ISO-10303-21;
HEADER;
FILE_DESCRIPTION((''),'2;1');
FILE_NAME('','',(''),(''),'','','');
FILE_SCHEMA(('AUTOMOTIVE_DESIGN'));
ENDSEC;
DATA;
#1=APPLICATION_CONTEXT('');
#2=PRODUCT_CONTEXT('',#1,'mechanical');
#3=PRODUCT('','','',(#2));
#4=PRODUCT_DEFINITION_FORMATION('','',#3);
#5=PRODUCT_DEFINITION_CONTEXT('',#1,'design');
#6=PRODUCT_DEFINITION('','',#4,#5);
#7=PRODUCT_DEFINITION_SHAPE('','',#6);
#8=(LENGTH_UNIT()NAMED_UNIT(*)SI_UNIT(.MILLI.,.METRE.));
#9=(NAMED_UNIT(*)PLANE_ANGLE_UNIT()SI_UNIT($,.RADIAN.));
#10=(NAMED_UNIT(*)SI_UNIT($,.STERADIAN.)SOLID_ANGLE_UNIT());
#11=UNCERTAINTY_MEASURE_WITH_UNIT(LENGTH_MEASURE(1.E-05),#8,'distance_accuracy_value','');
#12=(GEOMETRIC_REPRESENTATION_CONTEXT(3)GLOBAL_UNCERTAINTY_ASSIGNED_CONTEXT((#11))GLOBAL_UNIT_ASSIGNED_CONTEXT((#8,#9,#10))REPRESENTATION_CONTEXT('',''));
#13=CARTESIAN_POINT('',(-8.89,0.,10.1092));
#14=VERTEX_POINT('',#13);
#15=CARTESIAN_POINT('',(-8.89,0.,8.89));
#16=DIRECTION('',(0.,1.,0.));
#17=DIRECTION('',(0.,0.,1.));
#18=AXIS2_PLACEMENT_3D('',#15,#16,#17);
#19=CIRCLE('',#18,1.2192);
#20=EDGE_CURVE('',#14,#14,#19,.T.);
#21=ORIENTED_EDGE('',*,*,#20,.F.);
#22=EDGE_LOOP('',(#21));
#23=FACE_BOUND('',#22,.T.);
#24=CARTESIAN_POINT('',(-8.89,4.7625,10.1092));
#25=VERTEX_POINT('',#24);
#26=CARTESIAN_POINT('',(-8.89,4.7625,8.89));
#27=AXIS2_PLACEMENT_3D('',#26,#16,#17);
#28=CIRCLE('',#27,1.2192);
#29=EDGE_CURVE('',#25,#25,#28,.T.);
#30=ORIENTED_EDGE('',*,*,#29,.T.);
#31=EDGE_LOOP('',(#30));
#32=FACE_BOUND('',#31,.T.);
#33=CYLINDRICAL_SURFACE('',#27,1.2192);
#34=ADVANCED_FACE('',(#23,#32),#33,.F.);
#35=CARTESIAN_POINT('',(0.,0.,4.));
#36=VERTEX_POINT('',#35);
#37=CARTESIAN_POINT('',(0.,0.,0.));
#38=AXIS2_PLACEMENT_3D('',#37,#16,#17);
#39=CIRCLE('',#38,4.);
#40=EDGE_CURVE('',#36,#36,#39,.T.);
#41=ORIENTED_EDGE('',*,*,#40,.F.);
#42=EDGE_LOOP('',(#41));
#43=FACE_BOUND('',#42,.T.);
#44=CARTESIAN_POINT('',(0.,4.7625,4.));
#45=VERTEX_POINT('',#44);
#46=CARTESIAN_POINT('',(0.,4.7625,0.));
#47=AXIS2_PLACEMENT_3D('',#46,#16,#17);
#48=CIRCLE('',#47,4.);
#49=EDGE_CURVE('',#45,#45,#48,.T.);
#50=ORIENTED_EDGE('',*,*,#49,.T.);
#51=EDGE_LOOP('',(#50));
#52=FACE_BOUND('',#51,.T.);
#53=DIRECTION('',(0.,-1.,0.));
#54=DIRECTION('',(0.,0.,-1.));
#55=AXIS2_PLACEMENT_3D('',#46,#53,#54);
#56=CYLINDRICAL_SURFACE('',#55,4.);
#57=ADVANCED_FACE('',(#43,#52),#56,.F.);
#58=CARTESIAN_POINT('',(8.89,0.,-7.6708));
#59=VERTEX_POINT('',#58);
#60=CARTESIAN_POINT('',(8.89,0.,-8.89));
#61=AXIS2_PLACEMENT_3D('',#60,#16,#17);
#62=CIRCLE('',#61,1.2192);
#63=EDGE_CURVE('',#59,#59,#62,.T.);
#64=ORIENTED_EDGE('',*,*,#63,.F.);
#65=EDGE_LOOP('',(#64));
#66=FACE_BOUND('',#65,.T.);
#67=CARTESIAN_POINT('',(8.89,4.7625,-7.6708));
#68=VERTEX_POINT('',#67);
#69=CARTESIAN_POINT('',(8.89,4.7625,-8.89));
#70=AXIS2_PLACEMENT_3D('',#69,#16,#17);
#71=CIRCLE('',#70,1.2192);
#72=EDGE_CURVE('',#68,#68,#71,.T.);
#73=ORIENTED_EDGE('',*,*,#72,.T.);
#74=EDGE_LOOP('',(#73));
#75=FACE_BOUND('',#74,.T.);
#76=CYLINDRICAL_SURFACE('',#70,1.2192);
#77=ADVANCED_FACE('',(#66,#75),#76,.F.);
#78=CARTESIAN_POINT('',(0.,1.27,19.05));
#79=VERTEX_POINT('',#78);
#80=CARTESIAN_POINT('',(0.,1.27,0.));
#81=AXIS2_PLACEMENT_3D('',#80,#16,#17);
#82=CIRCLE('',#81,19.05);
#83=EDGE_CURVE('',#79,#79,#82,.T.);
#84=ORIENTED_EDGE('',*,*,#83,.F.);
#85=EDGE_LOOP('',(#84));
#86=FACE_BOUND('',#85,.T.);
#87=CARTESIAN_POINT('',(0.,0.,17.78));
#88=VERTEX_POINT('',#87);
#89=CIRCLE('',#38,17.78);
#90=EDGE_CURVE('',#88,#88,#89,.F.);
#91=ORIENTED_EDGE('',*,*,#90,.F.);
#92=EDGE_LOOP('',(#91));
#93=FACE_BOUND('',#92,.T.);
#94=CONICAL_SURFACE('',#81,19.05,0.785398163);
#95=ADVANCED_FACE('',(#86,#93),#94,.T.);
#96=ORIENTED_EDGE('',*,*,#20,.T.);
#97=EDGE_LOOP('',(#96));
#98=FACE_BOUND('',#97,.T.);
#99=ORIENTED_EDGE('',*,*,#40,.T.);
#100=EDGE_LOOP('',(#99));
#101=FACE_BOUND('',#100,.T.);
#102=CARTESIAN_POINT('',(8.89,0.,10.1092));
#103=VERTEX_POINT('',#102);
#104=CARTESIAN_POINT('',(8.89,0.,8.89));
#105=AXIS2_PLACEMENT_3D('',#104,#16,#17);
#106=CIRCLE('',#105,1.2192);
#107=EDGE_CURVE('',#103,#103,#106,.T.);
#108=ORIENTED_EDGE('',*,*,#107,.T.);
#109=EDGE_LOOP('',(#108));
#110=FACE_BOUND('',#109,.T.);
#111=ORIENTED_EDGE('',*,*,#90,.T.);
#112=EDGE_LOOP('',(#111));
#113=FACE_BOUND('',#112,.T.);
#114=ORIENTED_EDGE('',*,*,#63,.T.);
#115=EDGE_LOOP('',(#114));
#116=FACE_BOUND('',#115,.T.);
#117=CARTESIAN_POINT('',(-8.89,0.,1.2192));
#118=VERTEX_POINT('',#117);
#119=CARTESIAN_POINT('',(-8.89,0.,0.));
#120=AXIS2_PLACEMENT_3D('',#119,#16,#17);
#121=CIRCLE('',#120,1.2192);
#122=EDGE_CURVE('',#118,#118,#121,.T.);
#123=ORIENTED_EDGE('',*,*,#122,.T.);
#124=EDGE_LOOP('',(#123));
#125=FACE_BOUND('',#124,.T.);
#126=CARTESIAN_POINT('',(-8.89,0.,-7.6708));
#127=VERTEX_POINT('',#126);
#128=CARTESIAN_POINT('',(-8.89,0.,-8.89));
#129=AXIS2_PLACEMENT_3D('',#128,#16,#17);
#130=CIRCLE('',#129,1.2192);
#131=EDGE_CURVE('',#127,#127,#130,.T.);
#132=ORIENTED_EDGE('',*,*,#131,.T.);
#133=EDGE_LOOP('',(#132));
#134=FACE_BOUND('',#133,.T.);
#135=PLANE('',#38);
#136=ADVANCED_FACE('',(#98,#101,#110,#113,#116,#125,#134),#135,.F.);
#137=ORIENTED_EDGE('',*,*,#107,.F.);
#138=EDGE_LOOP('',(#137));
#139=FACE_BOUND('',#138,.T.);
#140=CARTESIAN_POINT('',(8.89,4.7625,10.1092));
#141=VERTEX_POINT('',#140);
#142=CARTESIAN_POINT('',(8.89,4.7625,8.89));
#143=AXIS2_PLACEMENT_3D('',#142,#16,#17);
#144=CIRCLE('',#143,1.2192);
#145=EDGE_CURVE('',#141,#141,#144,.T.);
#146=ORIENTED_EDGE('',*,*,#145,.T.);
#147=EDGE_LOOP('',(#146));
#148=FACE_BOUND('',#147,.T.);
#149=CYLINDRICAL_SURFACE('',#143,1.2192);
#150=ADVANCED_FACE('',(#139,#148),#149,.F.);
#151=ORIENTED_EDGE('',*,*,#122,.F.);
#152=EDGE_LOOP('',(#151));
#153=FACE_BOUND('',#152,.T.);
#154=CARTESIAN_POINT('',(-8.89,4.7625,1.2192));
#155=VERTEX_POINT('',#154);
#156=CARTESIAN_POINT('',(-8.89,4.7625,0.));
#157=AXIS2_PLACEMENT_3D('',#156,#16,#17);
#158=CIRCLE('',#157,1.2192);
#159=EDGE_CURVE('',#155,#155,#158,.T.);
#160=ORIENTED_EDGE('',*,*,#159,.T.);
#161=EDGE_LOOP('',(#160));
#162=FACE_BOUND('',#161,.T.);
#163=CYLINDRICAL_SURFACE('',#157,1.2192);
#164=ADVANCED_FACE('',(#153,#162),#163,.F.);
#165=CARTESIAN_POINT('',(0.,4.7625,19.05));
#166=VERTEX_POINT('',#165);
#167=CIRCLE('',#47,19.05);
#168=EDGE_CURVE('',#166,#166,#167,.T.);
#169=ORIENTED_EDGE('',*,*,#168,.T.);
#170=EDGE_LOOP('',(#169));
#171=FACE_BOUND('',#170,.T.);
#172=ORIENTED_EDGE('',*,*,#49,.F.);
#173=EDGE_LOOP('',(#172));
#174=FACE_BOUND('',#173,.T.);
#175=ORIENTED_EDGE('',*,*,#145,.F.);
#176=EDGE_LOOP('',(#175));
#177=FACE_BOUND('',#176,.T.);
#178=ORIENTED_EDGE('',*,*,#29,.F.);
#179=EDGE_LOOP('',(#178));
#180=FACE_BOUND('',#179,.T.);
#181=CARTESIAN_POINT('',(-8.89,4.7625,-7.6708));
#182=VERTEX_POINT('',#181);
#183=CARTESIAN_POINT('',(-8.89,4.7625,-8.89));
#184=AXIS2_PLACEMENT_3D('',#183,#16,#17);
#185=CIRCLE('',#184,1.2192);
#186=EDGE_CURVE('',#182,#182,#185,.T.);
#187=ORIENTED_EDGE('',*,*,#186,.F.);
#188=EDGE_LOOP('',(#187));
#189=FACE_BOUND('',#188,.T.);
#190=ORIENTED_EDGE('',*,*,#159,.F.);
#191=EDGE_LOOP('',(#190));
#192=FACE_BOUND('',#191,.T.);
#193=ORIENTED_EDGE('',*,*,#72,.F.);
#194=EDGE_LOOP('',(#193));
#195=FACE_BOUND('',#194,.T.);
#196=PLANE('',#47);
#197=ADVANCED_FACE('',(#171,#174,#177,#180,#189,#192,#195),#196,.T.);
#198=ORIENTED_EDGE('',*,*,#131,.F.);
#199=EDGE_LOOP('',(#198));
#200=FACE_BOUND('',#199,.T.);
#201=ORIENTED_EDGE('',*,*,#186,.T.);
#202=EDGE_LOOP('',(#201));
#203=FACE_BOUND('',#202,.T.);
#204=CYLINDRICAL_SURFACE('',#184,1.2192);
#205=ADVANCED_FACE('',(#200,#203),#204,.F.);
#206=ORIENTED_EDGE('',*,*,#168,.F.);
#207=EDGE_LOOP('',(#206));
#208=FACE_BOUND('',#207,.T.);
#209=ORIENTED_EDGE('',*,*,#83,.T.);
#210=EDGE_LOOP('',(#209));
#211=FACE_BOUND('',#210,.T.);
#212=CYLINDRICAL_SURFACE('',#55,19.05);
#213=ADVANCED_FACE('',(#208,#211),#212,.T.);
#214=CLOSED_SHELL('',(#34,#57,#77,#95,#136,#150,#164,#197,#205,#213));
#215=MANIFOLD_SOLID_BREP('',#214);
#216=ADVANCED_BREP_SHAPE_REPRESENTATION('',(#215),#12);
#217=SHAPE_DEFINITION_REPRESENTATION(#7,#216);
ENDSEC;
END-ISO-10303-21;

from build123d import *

# Parameters (mm, degrees)
SKETCH1_R                 = 19.05
SKETCH1_R_2               = 4
BOSS_EXTRUDE1_DEPTH       = 4.7625
F_2_CLEARANCE_HOLE1_D     = 2.4384
F_2_CLEARANCE_HOLE1_DEPTH = 4.7625
CHAMFER1_SIZE             = 1.27


with BuildPart() as part:
    # Sketch1 → Boss-Extrude1 (new body)
    with BuildSketch(Plane(origin=(0, 0, 0), x_dir=(1, 0, 0), z_dir=(0, 1, 0))):
        Circle(SKETCH1_R)
        Circle(SKETCH1_R_2, mode=Mode.SUBTRACT)
    extrude(amount=BOSS_EXTRUDE1_DEPTH)

    # #2 Clearance Hole1
    with Locations(Plane(origin=(0, 4.7625, 0), x_dir=(1, 0, 0), z_dir=(0, 1, 0))):
        with Locations((-8.89, 8.89), (8.89, 8.89), (-8.89, -8.89), (8.89, -8.89), (-8.89, 0)):
            Hole(F_2_CLEARANCE_HOLE1_D / 2, depth=F_2_CLEARANCE_HOLE1_DEPTH)

    # Chamfer1
    chamfer1_edges = [part.edges().sort_by_distance(p)[0] for p in [
        (-19.05, 0, 0),
    ]]
    chamfer(chamfer1_edges, length=CHAMFER1_SIZE)


solid = part.part
